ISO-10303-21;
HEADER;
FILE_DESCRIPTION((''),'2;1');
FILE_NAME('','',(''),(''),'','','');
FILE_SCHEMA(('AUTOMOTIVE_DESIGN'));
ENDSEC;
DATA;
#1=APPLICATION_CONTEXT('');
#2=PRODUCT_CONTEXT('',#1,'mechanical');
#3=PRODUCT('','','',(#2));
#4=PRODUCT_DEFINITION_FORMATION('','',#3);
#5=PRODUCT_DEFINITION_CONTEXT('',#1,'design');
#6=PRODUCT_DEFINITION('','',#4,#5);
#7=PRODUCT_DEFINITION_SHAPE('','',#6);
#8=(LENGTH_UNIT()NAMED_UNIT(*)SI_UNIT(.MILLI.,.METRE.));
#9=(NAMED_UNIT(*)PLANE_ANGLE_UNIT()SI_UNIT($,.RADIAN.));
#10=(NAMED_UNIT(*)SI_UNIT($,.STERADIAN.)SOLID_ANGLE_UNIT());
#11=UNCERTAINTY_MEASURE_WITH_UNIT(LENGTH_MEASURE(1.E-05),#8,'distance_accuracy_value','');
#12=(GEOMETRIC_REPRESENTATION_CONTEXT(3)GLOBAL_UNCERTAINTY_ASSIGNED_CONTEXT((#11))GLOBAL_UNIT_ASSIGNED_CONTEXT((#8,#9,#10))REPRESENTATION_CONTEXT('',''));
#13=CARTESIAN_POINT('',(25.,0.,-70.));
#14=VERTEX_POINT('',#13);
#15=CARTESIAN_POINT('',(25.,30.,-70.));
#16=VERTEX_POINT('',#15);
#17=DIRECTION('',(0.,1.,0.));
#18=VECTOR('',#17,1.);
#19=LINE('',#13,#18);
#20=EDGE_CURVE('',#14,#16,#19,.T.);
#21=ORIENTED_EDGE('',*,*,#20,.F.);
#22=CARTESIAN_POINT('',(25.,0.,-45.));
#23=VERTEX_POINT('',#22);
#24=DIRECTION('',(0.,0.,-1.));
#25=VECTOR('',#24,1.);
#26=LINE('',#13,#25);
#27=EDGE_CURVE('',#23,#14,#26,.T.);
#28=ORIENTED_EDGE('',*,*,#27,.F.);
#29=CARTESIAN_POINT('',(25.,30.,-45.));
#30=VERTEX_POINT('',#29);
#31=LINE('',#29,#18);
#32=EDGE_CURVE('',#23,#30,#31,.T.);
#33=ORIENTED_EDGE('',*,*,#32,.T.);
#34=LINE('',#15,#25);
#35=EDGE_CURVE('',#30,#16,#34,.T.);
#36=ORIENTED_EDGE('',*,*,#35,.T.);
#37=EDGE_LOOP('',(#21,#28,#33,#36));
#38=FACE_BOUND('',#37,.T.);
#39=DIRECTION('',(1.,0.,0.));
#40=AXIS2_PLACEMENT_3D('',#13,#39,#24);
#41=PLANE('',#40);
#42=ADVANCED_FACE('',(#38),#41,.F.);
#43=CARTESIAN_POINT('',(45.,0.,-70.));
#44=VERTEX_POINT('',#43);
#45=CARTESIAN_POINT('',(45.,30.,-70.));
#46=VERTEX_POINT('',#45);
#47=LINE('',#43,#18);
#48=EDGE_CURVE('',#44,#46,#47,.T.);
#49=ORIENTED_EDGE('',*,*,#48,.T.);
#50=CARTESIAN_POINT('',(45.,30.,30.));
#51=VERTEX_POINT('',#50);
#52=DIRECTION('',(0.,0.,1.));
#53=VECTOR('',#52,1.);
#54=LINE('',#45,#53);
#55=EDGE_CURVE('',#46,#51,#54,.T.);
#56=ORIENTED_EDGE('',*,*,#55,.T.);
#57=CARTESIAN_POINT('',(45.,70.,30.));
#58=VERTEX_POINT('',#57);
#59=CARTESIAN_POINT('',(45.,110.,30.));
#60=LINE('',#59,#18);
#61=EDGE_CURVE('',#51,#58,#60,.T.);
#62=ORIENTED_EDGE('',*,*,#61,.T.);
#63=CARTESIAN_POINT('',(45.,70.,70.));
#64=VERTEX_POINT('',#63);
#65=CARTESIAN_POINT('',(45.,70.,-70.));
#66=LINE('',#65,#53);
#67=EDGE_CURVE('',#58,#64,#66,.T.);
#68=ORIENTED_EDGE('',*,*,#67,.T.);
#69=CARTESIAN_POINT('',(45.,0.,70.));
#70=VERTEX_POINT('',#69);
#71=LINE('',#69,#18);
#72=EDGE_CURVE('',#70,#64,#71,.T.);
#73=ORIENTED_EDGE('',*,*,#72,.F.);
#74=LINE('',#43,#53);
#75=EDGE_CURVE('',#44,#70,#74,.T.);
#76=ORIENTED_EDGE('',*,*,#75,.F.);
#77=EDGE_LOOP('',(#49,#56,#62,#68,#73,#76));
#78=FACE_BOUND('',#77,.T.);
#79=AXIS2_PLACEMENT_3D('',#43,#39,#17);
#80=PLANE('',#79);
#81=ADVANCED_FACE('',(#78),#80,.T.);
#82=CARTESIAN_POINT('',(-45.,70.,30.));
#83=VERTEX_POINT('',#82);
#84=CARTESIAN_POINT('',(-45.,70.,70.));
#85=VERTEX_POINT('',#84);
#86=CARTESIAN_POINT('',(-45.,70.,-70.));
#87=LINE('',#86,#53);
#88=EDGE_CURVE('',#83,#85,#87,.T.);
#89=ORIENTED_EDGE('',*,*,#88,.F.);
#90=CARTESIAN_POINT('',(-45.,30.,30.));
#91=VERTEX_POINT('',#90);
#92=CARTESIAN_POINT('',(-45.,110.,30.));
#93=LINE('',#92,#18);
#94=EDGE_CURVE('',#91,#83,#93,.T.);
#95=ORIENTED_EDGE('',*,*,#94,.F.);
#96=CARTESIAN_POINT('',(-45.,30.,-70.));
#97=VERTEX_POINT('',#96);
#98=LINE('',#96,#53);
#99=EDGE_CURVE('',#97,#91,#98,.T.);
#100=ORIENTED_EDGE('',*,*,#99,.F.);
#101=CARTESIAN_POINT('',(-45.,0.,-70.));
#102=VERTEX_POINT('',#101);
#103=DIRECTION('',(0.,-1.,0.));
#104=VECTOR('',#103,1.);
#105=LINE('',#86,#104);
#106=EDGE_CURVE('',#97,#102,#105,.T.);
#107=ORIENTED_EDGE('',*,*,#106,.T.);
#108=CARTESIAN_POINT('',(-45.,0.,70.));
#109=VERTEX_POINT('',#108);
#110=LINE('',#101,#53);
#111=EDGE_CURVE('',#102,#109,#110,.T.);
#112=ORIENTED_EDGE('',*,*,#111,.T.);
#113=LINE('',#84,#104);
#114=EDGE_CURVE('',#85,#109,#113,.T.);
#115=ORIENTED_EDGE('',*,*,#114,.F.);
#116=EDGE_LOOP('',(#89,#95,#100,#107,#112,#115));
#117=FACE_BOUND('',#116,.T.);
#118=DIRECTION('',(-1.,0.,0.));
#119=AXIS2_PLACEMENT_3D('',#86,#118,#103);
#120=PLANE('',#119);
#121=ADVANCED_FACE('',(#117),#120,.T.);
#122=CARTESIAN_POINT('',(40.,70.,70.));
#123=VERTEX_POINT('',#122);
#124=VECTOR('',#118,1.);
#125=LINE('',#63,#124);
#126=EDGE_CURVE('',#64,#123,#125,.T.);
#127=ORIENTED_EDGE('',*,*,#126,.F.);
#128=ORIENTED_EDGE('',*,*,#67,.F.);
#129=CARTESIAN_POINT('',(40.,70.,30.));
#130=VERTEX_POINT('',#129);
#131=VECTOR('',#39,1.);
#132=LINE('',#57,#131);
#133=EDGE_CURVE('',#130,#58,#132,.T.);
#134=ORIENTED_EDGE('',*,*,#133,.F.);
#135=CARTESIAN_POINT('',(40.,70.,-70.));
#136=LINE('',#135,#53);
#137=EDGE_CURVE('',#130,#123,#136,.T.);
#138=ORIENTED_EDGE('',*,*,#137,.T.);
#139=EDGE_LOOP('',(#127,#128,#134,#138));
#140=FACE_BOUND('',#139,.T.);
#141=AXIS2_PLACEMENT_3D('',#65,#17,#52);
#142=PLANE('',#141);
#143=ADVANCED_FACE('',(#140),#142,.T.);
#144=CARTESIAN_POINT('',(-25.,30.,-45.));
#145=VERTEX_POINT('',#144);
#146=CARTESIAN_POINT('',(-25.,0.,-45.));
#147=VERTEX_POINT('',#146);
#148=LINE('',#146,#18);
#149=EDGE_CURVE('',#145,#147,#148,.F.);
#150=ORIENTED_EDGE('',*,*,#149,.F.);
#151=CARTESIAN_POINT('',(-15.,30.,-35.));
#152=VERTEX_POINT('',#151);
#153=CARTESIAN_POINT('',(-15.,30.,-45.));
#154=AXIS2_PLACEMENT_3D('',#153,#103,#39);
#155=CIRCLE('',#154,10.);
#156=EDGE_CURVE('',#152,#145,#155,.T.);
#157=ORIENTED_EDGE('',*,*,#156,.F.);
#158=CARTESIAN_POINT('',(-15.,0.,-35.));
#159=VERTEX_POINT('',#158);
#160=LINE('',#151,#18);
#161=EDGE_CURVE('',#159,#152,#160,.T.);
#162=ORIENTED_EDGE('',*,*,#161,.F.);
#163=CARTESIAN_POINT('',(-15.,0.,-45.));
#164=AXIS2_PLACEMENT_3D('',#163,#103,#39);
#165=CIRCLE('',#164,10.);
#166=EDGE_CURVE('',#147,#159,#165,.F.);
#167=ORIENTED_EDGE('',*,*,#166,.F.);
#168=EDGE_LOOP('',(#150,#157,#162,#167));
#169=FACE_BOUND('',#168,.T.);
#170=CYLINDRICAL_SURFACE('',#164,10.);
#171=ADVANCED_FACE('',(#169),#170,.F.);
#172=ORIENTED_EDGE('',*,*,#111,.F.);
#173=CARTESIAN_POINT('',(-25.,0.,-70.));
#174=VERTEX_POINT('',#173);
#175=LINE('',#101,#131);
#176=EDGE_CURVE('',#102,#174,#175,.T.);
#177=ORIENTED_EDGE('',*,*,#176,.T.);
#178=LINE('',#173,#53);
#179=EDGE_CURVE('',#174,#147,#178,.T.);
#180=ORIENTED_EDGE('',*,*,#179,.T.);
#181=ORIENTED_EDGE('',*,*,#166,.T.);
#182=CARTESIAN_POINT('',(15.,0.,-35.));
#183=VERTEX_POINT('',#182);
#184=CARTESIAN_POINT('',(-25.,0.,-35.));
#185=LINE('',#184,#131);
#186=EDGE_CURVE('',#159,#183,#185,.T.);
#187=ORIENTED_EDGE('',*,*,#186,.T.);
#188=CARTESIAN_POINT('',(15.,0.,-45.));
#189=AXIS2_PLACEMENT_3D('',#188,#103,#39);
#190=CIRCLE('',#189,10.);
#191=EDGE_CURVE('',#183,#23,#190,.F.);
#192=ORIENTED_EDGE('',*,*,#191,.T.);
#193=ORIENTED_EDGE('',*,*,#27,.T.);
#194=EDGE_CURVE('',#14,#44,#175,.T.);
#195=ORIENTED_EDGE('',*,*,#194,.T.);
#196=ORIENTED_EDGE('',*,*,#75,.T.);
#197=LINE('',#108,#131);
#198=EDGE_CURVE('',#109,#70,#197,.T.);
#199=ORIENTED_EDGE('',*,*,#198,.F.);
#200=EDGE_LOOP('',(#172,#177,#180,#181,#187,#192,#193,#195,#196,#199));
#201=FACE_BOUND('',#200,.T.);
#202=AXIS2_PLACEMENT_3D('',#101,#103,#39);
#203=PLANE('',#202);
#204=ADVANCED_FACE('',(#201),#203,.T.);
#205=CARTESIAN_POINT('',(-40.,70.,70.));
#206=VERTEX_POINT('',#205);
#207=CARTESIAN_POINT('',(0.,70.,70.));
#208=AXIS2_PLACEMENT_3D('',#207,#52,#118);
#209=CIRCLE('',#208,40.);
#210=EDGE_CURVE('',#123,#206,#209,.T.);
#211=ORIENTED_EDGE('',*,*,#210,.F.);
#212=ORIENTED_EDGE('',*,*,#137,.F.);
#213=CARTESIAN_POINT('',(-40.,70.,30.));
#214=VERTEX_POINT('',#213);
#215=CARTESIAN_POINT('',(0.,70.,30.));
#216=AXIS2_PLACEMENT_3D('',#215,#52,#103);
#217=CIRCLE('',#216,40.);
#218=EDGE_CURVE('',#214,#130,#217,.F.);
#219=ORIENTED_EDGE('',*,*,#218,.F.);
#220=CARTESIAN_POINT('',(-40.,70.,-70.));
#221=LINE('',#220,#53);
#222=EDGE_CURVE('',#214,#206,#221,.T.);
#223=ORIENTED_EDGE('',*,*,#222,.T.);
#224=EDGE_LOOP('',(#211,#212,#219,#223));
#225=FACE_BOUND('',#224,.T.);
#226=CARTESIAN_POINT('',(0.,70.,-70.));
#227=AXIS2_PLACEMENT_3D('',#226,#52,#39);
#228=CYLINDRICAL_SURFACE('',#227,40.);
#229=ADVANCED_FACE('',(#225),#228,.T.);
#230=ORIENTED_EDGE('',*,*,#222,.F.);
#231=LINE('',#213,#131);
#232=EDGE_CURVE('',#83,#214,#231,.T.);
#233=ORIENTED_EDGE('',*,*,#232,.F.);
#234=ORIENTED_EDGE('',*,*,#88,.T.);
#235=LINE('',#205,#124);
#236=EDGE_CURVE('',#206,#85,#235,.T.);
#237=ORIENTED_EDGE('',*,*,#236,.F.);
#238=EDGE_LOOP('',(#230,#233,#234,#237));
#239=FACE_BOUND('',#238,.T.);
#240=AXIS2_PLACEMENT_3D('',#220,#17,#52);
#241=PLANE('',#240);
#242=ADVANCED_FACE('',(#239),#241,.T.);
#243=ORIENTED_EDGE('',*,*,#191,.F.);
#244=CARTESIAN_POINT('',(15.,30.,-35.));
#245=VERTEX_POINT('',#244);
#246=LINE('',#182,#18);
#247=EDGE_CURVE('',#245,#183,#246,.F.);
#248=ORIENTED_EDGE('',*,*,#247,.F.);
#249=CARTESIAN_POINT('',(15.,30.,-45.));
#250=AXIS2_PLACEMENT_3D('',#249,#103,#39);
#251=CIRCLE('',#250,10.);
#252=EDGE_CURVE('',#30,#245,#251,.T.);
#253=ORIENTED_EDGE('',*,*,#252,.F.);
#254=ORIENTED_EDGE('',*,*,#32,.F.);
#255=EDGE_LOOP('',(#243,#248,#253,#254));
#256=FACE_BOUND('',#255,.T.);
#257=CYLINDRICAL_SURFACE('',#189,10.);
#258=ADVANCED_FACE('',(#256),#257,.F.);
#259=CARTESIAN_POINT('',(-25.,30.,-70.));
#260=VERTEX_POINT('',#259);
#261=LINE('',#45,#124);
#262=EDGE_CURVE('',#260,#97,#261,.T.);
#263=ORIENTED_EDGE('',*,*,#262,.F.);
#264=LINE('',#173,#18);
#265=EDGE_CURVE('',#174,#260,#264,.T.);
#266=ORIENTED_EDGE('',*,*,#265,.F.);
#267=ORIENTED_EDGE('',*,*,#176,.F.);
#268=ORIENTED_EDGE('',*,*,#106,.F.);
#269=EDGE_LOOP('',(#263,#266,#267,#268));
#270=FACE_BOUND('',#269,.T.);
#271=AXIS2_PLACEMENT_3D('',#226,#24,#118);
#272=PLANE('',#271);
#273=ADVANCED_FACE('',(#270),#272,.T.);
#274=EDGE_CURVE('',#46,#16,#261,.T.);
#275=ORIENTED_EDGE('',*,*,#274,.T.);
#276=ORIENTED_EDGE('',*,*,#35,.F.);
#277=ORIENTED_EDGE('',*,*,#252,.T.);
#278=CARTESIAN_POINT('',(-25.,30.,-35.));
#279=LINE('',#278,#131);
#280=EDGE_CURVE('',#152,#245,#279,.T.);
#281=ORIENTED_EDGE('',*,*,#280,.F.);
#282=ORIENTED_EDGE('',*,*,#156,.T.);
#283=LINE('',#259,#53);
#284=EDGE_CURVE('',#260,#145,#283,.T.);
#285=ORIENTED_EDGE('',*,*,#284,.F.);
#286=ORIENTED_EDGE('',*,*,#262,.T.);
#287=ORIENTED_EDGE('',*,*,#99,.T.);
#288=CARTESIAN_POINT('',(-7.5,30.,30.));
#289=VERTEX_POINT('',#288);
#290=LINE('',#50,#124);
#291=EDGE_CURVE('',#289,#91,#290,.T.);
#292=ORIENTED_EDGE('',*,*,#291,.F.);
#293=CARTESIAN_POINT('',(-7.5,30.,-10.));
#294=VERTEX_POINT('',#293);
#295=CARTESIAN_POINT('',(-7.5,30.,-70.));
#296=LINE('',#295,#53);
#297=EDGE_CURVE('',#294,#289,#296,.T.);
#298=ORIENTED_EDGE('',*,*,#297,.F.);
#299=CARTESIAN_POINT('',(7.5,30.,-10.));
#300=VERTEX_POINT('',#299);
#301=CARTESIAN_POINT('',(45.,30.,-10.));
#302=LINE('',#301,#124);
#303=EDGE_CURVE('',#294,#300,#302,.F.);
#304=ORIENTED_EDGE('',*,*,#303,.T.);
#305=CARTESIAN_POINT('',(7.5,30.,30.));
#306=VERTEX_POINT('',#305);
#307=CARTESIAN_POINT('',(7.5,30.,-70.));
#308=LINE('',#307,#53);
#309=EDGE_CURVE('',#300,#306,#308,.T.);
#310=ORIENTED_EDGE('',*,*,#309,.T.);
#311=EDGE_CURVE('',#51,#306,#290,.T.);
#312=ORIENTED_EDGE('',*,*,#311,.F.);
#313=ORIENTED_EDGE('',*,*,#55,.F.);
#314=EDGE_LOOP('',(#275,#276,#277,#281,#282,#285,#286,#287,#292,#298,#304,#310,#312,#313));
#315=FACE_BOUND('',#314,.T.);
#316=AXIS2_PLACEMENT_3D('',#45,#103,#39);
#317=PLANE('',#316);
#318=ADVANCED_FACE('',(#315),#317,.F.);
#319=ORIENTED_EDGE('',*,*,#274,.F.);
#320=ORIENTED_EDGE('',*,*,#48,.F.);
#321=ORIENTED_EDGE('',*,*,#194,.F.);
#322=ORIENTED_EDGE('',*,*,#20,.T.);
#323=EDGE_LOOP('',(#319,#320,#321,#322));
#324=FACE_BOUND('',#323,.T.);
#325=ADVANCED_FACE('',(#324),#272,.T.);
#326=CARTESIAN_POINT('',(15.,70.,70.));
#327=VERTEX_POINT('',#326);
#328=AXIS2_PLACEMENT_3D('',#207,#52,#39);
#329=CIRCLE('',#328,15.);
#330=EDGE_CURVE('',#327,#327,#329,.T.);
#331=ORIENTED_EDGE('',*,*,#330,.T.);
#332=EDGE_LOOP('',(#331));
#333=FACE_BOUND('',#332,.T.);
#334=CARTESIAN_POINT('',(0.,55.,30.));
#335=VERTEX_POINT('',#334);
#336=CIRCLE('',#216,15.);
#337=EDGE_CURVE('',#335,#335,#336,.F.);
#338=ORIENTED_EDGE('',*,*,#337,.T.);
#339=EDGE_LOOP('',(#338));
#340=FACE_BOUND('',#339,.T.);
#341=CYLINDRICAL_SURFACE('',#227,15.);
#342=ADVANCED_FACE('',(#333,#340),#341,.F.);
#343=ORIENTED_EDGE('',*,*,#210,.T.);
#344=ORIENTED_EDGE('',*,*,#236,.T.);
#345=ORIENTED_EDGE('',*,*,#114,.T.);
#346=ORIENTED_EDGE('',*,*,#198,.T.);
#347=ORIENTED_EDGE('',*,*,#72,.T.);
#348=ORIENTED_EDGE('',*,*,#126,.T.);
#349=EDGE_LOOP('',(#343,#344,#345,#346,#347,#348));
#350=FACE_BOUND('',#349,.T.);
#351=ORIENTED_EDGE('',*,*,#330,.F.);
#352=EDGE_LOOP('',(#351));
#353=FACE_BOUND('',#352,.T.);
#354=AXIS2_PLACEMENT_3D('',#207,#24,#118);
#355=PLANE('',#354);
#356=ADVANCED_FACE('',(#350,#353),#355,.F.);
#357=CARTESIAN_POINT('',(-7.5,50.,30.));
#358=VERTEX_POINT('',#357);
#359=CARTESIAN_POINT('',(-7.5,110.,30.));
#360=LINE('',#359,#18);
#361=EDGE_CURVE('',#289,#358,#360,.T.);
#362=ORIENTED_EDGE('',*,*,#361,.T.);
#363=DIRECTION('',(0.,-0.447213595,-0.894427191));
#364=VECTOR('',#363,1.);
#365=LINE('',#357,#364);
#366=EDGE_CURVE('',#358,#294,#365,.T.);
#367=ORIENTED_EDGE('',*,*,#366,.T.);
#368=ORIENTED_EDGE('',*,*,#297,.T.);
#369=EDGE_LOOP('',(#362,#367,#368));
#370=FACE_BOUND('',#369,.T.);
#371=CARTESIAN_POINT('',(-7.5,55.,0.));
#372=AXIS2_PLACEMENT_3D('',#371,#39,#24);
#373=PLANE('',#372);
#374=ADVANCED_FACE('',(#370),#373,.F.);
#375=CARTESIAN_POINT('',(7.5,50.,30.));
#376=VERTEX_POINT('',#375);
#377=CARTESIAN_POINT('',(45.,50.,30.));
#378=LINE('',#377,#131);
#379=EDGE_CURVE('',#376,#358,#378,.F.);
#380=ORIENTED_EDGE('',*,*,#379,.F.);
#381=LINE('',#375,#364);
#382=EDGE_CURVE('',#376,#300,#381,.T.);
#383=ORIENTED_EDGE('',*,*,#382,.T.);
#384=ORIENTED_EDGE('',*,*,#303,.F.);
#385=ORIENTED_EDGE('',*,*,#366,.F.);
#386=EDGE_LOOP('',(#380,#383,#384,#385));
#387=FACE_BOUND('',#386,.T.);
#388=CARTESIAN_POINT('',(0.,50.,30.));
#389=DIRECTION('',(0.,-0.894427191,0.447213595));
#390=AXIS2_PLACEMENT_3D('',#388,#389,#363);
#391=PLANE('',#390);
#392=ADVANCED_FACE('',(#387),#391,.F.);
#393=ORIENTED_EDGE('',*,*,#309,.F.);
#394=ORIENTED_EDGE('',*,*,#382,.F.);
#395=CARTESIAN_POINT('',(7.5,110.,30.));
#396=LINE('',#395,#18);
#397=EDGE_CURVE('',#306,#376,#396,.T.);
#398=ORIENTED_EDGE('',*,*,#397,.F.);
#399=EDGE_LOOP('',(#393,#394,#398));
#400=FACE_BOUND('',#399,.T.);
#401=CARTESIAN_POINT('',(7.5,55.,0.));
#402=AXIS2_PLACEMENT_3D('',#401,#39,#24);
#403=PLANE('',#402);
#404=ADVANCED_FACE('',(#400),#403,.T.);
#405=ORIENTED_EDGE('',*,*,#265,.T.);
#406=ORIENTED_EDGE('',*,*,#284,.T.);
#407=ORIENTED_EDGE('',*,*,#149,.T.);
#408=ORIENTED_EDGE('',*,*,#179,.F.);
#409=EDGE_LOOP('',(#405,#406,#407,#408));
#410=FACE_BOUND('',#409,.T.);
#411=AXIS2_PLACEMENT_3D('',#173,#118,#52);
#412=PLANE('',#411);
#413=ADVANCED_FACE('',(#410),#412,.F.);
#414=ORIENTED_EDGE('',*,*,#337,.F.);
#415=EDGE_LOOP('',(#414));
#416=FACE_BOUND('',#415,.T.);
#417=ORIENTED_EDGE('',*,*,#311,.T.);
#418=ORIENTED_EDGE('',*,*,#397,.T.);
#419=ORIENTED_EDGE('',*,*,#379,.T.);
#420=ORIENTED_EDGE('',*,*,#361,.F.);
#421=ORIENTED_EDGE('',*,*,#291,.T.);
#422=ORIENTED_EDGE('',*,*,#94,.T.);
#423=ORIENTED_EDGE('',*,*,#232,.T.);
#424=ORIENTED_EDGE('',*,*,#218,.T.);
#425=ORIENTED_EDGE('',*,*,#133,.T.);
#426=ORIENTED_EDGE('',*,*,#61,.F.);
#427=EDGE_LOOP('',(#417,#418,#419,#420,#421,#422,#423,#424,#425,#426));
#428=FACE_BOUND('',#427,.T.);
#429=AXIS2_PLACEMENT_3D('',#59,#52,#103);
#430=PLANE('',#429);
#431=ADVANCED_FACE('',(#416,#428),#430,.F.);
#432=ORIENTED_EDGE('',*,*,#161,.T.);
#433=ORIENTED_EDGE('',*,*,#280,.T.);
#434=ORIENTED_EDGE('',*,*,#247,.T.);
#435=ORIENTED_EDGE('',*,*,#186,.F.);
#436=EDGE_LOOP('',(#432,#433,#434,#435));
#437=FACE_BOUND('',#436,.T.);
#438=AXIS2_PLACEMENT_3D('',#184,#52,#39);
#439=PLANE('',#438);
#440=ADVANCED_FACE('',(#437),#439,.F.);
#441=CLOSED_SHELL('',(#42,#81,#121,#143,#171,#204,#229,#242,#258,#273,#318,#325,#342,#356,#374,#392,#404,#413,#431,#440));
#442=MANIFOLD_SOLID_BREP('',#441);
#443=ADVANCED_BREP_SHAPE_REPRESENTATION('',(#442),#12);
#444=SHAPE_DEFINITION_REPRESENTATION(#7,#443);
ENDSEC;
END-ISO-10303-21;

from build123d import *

# Parameters (mm, degrees)
BOSS_EXTRUDE1_DEPTH      = 70
BOSS_EXTRUDE1_DEPTH_BACK = 70
SKETCH1_R                = 15
SKETCH2_W                = 100
SKETCH2_H                = 80
CUT_EXTRUDE1_DEPTH       = 159.429795178
SKETCH3_W                = 50
SKETCH3_H                = 35
CUT_EXTRUDE2_DEPTH       = 116.433963806
FILLET1_R                = 10
RIB1_REACH               = 139.931
SKETCH4_WALL_W           = 322.583644032
SKETCH4_WALL_H           = 15


with BuildPart() as part:
    # Sketch1 → Boss-Extrude1 (new, two sides: drawn at the far end of the back side and taken through both)
    with BuildSketch(Plane.XY.offset(-BOSS_EXTRUDE1_DEPTH_BACK)):
        with BuildLine():
            Line((-40, 70), (-45, 70))
            Line((-45, 70), (-45, 0))
            Line((-45, 0), (45, 0))
            Line((45, 0), (45, 70))
            Line((45, 70), (40, 70))
            ThreePointArc((40, 70), (0, 110), (-40, 70))
        make_face()
        with Locations((0, 70)):
            Circle(SKETCH1_R, mode=Mode.SUBTRACT)
    extrude(amount=BOSS_EXTRUDE1_DEPTH + BOSS_EXTRUDE1_DEPTH_BACK)

    # Sketch2 → Cut-Extrude1 (cut, through all)
    with BuildSketch(Plane.ZY.offset(45)):
        with Locations((-20, 70)):
            Rectangle(SKETCH2_W, SKETCH2_H)
    extrude(amount=-CUT_EXTRUDE1_DEPTH, mode=Mode.SUBTRACT)

    # Sketch3 → Cut-Extrude2 (cut, through all)
    with BuildSketch(Plane(origin=(0, 30, 0), x_dir=(1, 0, 0), z_dir=(0, 1, 0))):
        with Locations((0, 52.5)):
            Rectangle(SKETCH3_W, SKETCH3_H)
    extrude(amount=-CUT_EXTRUDE2_DEPTH, mode=Mode.SUBTRACT)

    # Fillet1
    fillet1_edges = [part.edges().sort_by_distance(p)[0] for p in [
        (-25, 15, -35),
        (25, 15, -35),
    ]]
    fillet(fillet1_edges, radius=FILLET1_R)

    # Sketch4 wall → Rib1 (add, up to next)
    with BuildSketch(Plane(origin=(0, 40, 10), x_dir=(0, -0.4472135955, -0.894427191), z_dir=(0, 0.894427191, -0.4472135955)), mode=Mode.PRIVATE) as rib1_sk1:
        Rectangle(SKETCH4_WALL_W, SKETCH4_WALL_H)
    rib1_tool1 = extrude(rib1_sk1.sketch, amount=-RIB1_REACH, mode=Mode.PRIVATE) - part.part
    add(rib1_tool1.solids().sort_by_distance((0, 40, 10))[0])


solid = part.part
